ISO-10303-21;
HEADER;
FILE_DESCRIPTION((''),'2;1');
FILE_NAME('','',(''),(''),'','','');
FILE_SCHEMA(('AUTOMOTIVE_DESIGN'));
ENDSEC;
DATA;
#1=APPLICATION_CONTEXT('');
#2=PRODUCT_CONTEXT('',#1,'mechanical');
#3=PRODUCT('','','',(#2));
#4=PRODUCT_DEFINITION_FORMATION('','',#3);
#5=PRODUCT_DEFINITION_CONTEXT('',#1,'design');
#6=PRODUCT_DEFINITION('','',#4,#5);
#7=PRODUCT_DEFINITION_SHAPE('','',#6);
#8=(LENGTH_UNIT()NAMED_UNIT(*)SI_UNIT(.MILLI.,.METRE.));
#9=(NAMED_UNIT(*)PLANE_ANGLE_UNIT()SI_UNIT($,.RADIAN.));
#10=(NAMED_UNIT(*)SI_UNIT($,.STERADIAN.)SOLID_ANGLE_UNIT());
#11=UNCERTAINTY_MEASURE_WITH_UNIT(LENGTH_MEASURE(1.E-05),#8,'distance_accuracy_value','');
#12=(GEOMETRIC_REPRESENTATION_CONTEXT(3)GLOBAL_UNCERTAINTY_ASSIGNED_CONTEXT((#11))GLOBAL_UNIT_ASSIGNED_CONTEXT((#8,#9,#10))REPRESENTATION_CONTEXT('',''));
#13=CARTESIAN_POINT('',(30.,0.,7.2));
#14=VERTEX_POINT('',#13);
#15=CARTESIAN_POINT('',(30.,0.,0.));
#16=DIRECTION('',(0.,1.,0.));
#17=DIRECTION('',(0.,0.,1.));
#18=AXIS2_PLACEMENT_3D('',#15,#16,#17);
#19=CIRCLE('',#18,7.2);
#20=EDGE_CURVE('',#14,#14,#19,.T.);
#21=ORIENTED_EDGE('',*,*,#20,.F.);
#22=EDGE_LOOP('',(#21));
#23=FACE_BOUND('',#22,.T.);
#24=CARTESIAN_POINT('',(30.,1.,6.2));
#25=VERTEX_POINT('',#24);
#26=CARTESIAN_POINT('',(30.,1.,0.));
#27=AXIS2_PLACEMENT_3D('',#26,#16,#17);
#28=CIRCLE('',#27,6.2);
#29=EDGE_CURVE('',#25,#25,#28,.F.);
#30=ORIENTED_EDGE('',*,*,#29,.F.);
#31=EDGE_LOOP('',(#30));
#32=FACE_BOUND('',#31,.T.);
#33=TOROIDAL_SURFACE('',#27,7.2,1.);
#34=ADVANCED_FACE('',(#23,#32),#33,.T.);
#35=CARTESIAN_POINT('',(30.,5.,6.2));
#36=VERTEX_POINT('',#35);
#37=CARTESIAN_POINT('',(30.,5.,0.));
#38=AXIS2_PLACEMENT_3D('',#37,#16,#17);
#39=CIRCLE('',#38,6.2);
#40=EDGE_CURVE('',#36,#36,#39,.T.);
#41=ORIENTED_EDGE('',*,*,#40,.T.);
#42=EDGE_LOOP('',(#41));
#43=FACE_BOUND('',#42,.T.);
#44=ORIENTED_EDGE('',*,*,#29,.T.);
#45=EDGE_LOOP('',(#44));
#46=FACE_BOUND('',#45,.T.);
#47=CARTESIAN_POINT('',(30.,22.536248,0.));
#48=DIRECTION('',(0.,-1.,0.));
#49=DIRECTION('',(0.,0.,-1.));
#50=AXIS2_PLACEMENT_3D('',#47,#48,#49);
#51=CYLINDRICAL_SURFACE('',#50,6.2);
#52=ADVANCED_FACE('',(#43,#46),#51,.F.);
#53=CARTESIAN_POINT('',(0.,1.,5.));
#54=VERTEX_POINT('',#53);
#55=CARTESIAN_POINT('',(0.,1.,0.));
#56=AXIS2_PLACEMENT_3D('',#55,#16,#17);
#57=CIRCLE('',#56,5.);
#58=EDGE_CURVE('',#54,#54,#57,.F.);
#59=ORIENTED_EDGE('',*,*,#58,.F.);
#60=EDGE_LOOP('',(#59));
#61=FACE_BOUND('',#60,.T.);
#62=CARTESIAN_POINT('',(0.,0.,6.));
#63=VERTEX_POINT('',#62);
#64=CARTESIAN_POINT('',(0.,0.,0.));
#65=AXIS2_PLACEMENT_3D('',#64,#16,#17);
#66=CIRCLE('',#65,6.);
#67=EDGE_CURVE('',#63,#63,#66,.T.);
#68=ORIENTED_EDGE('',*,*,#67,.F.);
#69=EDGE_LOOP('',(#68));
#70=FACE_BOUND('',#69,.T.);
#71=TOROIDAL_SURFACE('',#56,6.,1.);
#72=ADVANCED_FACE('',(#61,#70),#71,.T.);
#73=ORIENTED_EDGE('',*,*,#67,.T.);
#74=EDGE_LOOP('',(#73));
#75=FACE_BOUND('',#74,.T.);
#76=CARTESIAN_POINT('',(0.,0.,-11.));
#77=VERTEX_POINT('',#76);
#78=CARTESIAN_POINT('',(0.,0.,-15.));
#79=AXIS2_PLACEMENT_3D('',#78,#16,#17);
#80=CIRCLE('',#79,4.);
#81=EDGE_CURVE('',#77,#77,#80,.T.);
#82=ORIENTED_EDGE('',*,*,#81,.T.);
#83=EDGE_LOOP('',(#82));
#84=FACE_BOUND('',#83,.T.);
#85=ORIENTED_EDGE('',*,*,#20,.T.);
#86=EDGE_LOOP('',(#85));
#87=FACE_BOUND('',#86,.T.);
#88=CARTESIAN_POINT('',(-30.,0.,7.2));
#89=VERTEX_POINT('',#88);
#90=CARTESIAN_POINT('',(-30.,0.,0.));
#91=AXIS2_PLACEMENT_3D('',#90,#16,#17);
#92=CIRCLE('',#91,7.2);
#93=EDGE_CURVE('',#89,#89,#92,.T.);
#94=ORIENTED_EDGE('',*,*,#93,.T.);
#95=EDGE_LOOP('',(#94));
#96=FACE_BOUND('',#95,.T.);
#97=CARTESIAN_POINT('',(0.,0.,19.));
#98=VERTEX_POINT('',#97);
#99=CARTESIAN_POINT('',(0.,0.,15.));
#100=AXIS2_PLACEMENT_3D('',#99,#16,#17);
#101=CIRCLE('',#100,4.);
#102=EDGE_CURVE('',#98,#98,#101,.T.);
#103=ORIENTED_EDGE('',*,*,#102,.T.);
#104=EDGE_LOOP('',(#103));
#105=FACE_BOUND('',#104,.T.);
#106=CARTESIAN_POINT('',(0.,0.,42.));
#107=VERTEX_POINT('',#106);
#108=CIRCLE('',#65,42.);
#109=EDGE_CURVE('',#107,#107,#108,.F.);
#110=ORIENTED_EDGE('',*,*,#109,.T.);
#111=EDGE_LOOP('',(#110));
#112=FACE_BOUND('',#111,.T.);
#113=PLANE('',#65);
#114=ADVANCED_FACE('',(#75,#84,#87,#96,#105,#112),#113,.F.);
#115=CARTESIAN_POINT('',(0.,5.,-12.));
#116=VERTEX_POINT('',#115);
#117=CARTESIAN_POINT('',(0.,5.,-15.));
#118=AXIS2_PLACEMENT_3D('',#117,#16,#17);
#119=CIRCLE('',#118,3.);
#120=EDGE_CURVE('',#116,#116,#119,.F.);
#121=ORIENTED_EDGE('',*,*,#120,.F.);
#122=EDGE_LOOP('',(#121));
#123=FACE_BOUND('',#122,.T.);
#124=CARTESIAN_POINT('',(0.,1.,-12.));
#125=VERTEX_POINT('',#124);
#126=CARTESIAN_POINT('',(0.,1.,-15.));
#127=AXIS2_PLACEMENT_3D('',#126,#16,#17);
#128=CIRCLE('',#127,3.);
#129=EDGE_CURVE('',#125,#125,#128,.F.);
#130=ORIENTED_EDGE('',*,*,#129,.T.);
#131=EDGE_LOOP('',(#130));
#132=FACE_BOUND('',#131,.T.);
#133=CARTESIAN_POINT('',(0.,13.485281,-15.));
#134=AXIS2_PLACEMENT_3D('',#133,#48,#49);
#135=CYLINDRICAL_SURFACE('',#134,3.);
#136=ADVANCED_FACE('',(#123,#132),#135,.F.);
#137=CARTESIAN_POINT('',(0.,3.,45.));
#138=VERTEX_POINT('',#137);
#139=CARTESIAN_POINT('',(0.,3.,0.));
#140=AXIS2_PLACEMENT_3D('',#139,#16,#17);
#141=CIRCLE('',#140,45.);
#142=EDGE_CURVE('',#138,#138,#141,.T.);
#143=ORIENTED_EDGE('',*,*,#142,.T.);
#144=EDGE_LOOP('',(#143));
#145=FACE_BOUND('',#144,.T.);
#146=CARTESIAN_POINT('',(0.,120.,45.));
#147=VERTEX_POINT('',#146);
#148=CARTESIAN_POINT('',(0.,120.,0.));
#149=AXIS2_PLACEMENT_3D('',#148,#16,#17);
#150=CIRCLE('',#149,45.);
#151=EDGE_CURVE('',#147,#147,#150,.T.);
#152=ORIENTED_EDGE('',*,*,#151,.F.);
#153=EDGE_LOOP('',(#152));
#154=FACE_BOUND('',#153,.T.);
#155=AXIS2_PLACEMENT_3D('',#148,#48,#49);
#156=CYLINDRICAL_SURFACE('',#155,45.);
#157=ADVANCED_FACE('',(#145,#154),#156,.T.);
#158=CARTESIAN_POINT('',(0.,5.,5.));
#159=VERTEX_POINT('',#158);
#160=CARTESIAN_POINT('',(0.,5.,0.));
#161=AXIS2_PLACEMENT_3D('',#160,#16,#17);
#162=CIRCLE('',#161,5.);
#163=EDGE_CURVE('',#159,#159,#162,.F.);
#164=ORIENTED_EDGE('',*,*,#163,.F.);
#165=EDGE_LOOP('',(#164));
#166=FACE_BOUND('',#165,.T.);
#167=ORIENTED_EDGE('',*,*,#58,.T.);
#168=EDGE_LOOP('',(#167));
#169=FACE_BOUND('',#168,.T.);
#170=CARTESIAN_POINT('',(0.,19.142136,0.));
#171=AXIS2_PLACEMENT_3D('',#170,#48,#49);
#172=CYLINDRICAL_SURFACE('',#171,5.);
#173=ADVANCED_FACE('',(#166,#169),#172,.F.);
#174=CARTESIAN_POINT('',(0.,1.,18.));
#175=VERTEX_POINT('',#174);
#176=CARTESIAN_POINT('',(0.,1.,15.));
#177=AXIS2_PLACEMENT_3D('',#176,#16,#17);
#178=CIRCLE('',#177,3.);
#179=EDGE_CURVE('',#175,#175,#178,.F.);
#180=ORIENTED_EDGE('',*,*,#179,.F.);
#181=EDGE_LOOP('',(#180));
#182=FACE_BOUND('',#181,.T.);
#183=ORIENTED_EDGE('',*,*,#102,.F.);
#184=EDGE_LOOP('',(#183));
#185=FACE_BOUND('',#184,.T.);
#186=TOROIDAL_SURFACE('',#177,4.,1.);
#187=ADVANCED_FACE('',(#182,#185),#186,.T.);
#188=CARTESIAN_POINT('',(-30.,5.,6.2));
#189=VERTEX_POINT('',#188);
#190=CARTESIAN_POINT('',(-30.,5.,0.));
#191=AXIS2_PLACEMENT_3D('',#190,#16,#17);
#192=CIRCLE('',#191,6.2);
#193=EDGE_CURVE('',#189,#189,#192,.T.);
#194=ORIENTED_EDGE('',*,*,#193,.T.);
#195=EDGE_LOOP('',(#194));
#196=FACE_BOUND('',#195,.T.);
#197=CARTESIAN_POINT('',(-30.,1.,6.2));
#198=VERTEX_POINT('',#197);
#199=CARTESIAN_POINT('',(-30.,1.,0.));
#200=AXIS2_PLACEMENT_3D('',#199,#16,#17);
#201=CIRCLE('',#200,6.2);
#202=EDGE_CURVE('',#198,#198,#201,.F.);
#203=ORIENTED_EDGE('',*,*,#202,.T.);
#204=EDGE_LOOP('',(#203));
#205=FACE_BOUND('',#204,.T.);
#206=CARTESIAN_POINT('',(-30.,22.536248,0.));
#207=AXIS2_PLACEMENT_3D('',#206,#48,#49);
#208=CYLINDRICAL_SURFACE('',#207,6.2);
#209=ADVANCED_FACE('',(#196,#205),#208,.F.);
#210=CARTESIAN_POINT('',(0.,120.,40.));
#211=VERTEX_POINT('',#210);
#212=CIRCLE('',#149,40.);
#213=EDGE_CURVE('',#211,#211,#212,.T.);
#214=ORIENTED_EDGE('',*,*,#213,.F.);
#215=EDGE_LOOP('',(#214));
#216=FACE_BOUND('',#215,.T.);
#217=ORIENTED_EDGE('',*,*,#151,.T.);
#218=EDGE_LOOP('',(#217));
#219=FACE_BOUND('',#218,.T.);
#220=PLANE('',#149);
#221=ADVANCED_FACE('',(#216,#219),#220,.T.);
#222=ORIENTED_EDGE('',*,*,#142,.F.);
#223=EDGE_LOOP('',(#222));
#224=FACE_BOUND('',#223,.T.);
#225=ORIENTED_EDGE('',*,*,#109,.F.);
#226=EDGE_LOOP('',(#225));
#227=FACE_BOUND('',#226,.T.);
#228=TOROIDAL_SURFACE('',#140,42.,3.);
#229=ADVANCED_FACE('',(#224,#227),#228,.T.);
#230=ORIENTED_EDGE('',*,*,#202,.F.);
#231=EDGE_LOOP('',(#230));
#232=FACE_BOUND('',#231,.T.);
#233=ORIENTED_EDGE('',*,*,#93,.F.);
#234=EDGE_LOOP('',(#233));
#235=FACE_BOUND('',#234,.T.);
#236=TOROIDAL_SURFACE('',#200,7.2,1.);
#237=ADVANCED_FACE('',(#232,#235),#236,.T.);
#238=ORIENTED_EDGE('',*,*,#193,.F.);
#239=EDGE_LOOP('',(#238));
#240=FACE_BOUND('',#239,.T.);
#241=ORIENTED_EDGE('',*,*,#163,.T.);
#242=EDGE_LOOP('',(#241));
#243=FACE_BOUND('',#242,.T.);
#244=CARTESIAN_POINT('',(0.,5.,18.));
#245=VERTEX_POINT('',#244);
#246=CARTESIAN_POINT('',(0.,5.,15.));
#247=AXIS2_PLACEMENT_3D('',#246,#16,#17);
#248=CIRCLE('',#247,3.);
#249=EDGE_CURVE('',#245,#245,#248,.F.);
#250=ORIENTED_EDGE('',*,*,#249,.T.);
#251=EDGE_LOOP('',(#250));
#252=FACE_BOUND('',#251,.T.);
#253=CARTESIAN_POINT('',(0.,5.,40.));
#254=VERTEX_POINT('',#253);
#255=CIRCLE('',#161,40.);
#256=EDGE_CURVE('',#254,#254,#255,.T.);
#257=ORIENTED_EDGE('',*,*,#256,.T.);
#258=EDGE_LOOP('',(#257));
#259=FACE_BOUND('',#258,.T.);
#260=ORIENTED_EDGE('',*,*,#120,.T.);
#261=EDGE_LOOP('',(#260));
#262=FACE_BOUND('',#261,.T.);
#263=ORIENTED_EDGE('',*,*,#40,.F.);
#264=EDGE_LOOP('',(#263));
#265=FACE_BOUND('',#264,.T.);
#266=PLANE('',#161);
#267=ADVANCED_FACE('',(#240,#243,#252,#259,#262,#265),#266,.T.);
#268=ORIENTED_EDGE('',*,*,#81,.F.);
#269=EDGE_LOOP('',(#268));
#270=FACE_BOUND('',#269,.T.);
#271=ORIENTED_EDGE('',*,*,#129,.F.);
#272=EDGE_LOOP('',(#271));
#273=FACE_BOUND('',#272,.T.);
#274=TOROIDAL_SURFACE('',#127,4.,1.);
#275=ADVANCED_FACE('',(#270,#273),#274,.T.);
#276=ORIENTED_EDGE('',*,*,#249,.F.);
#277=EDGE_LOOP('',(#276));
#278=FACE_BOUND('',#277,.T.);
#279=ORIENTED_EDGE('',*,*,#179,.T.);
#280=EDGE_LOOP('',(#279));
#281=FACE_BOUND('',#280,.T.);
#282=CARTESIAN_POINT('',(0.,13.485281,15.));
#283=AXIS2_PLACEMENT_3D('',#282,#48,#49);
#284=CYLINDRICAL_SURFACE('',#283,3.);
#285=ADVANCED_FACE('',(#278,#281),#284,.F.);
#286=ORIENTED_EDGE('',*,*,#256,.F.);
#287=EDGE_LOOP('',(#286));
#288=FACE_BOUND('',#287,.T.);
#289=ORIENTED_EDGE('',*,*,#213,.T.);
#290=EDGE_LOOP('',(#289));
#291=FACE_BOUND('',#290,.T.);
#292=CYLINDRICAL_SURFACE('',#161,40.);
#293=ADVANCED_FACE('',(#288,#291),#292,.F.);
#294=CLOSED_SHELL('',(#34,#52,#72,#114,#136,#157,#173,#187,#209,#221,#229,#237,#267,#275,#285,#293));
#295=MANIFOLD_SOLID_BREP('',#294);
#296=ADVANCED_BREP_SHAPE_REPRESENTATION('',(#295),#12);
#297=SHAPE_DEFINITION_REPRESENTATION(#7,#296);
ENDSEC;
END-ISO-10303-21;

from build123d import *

# Parameters (mm, degrees)
SKETCH1_R           = 45
BOSS_EXTRUDE1_DEPTH = 120
SKETCH3_R           = 40
CUT_EXTRUDE1_DEPTH  = 115
SKETCH2_R           = 6.2
CUT_EXTRUDE2_DEPTH  = 5
SKETCH4_R           = 3
CUT_EXTRUDE3_DEPTH  = 5
FILLET1_R           = 3
FILLET2_R           = 1
FILLET3_R           = 1
FILLET4_R           = 1
FILLET5_R           = 1
SKETCH5_R           = 5
CUT_EXTRUDE4_DEPTH  = 5
FILLET6_R           = 1


with BuildPart() as part:
    # Sketch1 → Boss-Extrude1 (new body)
    with BuildSketch(Plane(origin=(0, 0, 0), x_dir=(1, 0, 0), z_dir=(0, 1, 0))):
        Circle(SKETCH1_R)
    extrude(amount=BOSS_EXTRUDE1_DEPTH)

    # Sketch3 → Cut-Extrude1 (cut)
    with BuildSketch(Plane(origin=(0, 120, 0), x_dir=(1, 0, 0), z_dir=(0, 1, 0))):
        Circle(SKETCH3_R)
    extrude(amount=-CUT_EXTRUDE1_DEPTH, mode=Mode.SUBTRACT)

    # Sketch2 → Cut-Extrude2 (cut)
    with BuildSketch(Plane(origin=(0, 0, 0), x_dir=(1, 0, 0), z_dir=(0, 1, 0))):
        with Locations((30, 0)):
            Circle(SKETCH2_R)
        with Locations((-30, 0)):
            Circle(SKETCH2_R)
    extrude(amount=CUT_EXTRUDE2_DEPTH, mode=Mode.SUBTRACT)

    # Sketch4 → Cut-Extrude3 (cut)
    with BuildSketch(Plane.XZ):
        with Locations((0, 15)):
            Circle(SKETCH4_R)
        with Locations((0, -15)):
            Circle(SKETCH4_R)
    extrude(amount=-CUT_EXTRUDE3_DEPTH, mode=Mode.SUBTRACT)

    # Fillet1
    fillet1_edges = [part.edges().sort_by_distance(p)[0] for p in [
        (-45, 0, 0),
    ]]
    fillet(fillet1_edges, radius=FILLET1_R)

    # Fillet2
    fillet2_edges = [part.edges().sort_by_distance(p)[0] for p in [
        (-36.2, 0, 0),
    ]]
    fillet(fillet2_edges, radius=FILLET2_R)

    # Fillet3
    fillet3_edges = [part.edges().sort_by_distance(p)[0] for p in [
        (23.8, 0, 0),
    ]]
    fillet(fillet3_edges, radius=FILLET3_R)

    # Fillet4
    fillet4_edges = [part.edges().sort_by_distance(p)[0] for p in [
        (-3, 0, -15),
    ]]
    fillet(fillet4_edges, radius=FILLET4_R)

    # Fillet5
    fillet5_edges = [part.edges().sort_by_distance(p)[0] for p in [
        (-3, 0, 15),
    ]]
    fillet(fillet5_edges, radius=FILLET5_R)

    # Sketch5 → Cut-Extrude4 (cut)
    with BuildSketch(Plane.XZ):
        Circle(SKETCH5_R)
    extrude(amount=-CUT_EXTRUDE4_DEPTH, mode=Mode.SUBTRACT)

    # Fillet6
    fillet6_edges = [part.edges().sort_by_distance(p)[0] for p in [
        (-5, 0, 0),
    ]]
    fillet(fillet6_edges, radius=FILLET6_R)


solid = part.part
